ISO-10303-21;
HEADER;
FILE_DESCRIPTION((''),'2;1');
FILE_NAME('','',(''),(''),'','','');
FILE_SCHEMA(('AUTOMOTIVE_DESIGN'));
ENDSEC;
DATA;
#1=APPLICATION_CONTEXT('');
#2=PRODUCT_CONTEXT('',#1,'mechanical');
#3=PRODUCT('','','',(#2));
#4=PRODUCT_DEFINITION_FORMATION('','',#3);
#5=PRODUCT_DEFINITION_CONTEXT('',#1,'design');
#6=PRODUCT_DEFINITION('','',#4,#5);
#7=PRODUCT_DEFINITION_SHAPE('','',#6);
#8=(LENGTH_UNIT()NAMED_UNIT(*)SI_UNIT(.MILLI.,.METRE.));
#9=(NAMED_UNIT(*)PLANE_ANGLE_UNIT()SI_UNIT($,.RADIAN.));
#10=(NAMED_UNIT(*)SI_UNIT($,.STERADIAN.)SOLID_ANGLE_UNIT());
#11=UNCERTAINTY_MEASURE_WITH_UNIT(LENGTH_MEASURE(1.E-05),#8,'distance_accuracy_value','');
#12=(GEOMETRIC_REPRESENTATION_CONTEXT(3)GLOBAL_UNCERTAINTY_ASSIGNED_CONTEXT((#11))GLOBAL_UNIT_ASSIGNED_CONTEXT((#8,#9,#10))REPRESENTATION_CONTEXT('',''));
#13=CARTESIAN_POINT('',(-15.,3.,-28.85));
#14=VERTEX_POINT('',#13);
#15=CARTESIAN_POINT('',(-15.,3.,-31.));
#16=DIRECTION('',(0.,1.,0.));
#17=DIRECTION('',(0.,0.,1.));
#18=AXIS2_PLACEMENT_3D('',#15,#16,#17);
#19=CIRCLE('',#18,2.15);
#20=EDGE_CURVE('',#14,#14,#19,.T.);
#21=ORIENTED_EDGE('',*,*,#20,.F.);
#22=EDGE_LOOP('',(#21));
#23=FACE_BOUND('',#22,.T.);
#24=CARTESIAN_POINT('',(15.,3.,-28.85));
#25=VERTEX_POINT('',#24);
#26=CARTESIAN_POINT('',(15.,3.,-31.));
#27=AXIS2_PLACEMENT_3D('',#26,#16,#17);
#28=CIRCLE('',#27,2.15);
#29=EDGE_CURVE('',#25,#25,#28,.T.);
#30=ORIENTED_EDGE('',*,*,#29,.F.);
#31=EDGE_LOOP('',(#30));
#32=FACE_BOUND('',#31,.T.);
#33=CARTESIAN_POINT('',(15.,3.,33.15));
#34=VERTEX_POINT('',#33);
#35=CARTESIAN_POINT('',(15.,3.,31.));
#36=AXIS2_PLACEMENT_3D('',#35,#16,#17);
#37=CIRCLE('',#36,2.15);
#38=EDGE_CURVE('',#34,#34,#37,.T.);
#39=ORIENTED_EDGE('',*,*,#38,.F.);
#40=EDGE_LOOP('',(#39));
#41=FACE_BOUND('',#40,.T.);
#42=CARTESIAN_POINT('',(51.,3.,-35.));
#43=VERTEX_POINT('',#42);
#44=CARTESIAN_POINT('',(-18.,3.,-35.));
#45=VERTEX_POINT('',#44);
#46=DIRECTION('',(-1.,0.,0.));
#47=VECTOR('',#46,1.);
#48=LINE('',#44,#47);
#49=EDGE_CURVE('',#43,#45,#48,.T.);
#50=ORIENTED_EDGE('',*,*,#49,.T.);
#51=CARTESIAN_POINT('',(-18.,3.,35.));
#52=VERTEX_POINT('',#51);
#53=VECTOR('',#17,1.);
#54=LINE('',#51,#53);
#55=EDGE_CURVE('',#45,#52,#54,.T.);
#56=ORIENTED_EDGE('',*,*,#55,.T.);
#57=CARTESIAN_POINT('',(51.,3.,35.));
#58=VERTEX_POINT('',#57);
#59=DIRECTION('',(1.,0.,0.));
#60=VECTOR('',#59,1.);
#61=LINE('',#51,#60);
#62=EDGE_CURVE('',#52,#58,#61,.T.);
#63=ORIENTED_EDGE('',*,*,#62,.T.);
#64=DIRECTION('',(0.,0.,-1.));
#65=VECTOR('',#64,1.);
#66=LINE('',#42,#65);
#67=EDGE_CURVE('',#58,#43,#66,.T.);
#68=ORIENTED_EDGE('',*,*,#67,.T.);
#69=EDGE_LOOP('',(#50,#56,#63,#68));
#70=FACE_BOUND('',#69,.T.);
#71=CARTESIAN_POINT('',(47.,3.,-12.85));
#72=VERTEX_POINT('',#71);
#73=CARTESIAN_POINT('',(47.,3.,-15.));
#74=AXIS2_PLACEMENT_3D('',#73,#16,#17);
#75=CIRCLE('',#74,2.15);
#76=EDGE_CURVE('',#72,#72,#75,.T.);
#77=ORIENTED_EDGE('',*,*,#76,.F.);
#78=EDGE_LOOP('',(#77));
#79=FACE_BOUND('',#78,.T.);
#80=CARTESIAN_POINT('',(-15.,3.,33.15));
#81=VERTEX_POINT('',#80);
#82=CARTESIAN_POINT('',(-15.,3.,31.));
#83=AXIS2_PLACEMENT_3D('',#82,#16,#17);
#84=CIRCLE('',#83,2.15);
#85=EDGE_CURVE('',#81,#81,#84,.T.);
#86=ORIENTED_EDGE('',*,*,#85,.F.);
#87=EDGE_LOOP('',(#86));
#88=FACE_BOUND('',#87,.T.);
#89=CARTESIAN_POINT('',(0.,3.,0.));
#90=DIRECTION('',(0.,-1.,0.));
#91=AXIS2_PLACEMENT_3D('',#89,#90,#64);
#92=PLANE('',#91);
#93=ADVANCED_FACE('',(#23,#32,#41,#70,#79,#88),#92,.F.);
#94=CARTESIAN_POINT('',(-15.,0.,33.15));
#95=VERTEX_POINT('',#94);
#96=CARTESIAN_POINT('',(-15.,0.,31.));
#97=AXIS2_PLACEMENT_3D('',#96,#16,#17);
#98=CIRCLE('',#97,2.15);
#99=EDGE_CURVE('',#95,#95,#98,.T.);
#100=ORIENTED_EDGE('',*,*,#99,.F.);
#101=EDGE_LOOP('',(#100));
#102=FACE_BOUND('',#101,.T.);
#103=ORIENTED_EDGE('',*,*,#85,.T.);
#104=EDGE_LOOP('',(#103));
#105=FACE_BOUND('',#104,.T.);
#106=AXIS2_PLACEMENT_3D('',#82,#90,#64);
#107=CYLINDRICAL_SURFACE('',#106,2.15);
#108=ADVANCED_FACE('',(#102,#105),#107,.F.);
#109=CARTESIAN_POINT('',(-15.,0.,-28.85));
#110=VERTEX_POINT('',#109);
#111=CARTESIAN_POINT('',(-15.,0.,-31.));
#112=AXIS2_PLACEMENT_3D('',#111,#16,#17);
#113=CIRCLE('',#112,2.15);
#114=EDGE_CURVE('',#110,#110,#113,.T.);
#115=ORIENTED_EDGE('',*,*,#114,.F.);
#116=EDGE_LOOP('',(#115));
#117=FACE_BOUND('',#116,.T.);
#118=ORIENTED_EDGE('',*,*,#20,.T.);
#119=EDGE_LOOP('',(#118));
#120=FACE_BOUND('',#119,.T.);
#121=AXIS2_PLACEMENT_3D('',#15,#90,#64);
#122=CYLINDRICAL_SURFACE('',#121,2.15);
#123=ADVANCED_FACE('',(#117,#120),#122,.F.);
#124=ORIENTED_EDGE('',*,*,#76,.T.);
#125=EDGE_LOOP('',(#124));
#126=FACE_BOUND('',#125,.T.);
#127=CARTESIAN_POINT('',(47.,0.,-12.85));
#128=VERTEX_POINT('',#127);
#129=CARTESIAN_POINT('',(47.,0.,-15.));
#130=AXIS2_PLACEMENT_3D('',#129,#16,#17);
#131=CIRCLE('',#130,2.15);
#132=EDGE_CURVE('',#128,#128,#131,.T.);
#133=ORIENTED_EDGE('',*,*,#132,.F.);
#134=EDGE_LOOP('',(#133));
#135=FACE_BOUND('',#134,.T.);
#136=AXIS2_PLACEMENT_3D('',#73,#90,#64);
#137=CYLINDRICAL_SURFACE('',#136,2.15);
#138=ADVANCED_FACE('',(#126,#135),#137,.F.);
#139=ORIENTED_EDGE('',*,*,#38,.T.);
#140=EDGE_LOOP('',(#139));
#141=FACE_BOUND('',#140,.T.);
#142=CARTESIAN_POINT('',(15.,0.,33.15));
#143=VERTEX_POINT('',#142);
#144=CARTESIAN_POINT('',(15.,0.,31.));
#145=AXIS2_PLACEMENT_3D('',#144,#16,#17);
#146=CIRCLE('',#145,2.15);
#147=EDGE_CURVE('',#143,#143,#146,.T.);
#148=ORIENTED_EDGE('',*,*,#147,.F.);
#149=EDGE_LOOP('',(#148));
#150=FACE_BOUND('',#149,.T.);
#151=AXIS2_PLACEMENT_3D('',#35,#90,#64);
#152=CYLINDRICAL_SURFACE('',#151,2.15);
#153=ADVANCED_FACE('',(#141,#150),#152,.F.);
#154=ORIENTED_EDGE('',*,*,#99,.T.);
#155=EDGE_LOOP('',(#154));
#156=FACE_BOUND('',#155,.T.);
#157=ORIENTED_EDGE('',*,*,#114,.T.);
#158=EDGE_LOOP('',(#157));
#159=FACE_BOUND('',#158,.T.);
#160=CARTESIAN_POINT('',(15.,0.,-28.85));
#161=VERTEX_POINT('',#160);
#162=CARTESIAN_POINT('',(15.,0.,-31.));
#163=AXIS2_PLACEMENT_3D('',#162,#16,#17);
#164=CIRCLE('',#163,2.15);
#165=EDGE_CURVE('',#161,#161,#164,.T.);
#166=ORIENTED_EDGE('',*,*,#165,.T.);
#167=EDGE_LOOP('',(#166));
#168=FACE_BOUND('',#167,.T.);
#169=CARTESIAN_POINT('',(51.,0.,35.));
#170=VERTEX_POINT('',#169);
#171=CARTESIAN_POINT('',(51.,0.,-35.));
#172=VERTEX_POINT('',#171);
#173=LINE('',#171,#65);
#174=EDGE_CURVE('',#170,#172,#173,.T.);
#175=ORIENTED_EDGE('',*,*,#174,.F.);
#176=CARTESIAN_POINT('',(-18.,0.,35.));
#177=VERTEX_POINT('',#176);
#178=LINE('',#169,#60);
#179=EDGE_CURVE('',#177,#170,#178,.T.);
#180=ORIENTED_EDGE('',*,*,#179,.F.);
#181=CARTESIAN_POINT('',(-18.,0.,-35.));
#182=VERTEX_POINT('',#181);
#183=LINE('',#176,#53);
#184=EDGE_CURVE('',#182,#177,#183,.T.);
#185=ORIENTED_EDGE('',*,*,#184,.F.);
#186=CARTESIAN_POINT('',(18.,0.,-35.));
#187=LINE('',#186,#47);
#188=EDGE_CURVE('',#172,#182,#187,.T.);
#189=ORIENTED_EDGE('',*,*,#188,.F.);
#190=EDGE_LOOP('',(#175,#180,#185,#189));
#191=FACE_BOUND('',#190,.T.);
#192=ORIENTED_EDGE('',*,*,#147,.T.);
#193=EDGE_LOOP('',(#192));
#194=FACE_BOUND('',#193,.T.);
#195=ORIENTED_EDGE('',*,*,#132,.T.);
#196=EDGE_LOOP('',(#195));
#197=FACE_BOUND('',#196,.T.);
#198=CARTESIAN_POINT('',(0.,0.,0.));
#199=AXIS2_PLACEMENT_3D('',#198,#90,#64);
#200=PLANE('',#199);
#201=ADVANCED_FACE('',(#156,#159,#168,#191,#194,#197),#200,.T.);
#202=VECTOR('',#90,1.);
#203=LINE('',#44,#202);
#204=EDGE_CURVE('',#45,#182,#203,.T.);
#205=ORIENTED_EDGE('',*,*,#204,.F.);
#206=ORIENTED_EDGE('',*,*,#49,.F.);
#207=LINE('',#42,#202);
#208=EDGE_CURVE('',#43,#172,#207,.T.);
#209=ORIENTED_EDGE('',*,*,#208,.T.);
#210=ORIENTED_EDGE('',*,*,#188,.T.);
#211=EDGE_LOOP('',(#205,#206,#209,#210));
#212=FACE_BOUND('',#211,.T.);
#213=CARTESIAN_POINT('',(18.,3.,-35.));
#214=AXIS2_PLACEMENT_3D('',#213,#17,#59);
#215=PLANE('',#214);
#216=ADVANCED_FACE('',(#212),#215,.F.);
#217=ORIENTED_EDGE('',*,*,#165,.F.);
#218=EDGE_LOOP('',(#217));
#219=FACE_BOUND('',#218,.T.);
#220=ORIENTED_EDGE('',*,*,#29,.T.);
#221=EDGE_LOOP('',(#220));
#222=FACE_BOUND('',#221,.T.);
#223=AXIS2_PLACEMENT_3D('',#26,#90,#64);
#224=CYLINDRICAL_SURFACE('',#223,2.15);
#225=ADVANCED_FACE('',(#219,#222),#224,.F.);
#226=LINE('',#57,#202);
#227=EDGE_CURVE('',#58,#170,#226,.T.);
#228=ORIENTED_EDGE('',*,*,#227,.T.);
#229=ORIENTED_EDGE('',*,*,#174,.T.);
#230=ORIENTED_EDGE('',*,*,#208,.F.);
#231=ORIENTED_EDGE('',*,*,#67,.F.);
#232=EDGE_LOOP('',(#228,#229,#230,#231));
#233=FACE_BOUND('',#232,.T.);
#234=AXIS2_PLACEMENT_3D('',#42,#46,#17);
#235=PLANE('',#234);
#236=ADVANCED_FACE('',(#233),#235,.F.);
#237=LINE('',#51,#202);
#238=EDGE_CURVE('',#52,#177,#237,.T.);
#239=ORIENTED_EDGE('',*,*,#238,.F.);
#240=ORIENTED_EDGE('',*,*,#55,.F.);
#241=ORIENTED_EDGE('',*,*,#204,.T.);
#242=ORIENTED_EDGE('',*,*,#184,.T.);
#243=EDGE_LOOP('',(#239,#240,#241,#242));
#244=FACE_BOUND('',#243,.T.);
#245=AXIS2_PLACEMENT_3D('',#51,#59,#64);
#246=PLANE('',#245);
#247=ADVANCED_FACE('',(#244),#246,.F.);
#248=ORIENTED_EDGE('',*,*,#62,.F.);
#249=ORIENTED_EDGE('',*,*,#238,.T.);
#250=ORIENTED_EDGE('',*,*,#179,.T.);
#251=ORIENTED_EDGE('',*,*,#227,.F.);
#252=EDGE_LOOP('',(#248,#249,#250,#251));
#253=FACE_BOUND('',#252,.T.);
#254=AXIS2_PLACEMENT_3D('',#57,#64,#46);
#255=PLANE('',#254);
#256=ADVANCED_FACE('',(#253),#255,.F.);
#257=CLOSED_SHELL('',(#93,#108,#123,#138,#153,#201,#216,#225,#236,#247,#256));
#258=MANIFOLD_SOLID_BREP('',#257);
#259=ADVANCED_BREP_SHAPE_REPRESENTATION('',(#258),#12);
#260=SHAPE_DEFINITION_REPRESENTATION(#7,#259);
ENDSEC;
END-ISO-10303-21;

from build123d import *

# Parameters (mm, degrees)
SKETCH1_R           = 2.15
BOSS_EXTRUDE1_DEPTH = 3


with BuildPart() as part:
    # Sketch1 → Boss-Extrude1 (new body)
    with BuildSketch(Plane(origin=(0, 0, 0), x_dir=(1, 0, 0), z_dir=(0, 1, 0))):
        Polygon((18, 35), (51, 35), (51, -35), (18, -35), (-18, -35), (-18, 35), align=None)
        with Locations(Location((15, 31, 0), (0, 0, 270))):
            Circle(SKETCH1_R, mode=Mode.SUBTRACT)
        with Locations(Location((-15, 31, 0), (0, 0, 270))):
            Circle(SKETCH1_R, mode=Mode.SUBTRACT)
        with Locations(Location((-15, -31, 0), (0, 0, 270))):
            Circle(SKETCH1_R, mode=Mode.SUBTRACT)
        with Locations(Location((15, -31, 0), (0, 0, 270))):
            Circle(SKETCH1_R, mode=Mode.SUBTRACT)
        with Locations(Location((47, 15, 0), (0, 0, 270))):
            Circle(SKETCH1_R, mode=Mode.SUBTRACT)
    extrude(amount=BOSS_EXTRUDE1_DEPTH)


solid = part.part
